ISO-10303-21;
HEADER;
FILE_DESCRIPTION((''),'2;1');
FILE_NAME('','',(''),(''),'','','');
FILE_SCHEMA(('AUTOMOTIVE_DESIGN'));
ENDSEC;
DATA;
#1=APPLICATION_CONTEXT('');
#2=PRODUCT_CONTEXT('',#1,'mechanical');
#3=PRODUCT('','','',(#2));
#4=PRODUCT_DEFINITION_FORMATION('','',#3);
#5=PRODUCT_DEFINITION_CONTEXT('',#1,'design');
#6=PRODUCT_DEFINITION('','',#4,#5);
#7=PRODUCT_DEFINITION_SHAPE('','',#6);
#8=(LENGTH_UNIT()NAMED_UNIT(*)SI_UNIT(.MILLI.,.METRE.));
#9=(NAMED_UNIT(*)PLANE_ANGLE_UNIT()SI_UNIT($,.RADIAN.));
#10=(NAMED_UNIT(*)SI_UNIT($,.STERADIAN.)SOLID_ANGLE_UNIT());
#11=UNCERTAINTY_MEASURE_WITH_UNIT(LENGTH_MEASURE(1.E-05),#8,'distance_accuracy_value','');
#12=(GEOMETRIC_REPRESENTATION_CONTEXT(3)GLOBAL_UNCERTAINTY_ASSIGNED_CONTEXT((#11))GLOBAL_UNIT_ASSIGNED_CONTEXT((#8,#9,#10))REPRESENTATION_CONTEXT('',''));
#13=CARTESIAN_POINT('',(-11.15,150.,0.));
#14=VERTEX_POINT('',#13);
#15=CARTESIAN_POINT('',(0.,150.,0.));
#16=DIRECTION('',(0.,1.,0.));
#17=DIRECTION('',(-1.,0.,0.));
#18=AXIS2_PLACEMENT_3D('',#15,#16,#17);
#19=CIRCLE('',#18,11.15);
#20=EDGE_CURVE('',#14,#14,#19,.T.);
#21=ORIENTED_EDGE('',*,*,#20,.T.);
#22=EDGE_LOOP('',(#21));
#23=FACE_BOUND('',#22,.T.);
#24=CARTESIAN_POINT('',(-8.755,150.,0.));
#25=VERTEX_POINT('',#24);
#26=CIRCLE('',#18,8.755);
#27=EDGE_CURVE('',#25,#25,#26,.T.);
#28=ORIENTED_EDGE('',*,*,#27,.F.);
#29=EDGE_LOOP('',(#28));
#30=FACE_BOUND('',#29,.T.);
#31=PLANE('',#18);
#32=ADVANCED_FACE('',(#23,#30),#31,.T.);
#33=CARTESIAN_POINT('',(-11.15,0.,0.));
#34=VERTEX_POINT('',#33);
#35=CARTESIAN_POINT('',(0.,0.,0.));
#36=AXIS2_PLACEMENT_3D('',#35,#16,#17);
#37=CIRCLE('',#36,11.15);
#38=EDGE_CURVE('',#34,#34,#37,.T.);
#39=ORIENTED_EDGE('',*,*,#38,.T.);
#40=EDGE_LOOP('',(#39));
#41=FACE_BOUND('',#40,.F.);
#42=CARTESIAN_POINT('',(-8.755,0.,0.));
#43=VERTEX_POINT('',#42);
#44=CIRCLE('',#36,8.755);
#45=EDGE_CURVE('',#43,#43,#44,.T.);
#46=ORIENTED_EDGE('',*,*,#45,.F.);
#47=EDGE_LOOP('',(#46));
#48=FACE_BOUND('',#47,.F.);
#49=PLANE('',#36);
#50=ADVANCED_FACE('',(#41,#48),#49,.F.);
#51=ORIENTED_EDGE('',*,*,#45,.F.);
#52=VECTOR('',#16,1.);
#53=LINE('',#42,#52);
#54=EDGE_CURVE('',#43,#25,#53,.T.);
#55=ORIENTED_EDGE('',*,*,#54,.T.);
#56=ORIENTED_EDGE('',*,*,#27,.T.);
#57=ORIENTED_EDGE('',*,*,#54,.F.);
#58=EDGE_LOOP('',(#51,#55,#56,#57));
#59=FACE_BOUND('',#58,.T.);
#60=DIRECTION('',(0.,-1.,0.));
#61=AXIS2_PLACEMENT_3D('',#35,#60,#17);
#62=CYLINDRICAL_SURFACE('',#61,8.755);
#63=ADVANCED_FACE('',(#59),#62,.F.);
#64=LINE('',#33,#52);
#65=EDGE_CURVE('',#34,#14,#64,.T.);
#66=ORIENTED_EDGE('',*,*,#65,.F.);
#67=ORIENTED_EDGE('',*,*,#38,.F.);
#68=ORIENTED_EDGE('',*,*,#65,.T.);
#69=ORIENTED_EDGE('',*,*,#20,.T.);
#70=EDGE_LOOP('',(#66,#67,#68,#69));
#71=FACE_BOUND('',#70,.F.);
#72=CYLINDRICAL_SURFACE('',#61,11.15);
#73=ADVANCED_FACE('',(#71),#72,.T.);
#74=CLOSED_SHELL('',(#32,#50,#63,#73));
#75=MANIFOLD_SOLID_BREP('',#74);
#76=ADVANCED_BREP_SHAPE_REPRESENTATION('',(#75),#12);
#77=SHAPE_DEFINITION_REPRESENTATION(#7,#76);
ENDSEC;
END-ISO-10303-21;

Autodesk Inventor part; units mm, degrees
ref_plane "YZ Plane" through (0, 0, 0) normal (1, 0, 0) x (0, 1, 0)
ref_plane "XZ Plane" through (0, 0, 0) normal (0, 1, 0) x (-1, 0, 0)
ref_plane "XY Plane" through (0, 0, 0) normal (0, 0, 1) x (1, 0, 0)
sketch "Sketch1" plane through (0, 0, 0) normal (0, 1, 0) x (-1, 0, 0)
  circle A0 centre (0, 0) radius 11.15
  circle A1 centre (0, 0) radius 8.755
  dimension "d0" = 22.3
  dimension "d1" = 17.51
extrude "Extrusion1" add sketch "Sketch1" along normal blind 150
properties part number "Vertical Pipe" material "PVC-Piping"
